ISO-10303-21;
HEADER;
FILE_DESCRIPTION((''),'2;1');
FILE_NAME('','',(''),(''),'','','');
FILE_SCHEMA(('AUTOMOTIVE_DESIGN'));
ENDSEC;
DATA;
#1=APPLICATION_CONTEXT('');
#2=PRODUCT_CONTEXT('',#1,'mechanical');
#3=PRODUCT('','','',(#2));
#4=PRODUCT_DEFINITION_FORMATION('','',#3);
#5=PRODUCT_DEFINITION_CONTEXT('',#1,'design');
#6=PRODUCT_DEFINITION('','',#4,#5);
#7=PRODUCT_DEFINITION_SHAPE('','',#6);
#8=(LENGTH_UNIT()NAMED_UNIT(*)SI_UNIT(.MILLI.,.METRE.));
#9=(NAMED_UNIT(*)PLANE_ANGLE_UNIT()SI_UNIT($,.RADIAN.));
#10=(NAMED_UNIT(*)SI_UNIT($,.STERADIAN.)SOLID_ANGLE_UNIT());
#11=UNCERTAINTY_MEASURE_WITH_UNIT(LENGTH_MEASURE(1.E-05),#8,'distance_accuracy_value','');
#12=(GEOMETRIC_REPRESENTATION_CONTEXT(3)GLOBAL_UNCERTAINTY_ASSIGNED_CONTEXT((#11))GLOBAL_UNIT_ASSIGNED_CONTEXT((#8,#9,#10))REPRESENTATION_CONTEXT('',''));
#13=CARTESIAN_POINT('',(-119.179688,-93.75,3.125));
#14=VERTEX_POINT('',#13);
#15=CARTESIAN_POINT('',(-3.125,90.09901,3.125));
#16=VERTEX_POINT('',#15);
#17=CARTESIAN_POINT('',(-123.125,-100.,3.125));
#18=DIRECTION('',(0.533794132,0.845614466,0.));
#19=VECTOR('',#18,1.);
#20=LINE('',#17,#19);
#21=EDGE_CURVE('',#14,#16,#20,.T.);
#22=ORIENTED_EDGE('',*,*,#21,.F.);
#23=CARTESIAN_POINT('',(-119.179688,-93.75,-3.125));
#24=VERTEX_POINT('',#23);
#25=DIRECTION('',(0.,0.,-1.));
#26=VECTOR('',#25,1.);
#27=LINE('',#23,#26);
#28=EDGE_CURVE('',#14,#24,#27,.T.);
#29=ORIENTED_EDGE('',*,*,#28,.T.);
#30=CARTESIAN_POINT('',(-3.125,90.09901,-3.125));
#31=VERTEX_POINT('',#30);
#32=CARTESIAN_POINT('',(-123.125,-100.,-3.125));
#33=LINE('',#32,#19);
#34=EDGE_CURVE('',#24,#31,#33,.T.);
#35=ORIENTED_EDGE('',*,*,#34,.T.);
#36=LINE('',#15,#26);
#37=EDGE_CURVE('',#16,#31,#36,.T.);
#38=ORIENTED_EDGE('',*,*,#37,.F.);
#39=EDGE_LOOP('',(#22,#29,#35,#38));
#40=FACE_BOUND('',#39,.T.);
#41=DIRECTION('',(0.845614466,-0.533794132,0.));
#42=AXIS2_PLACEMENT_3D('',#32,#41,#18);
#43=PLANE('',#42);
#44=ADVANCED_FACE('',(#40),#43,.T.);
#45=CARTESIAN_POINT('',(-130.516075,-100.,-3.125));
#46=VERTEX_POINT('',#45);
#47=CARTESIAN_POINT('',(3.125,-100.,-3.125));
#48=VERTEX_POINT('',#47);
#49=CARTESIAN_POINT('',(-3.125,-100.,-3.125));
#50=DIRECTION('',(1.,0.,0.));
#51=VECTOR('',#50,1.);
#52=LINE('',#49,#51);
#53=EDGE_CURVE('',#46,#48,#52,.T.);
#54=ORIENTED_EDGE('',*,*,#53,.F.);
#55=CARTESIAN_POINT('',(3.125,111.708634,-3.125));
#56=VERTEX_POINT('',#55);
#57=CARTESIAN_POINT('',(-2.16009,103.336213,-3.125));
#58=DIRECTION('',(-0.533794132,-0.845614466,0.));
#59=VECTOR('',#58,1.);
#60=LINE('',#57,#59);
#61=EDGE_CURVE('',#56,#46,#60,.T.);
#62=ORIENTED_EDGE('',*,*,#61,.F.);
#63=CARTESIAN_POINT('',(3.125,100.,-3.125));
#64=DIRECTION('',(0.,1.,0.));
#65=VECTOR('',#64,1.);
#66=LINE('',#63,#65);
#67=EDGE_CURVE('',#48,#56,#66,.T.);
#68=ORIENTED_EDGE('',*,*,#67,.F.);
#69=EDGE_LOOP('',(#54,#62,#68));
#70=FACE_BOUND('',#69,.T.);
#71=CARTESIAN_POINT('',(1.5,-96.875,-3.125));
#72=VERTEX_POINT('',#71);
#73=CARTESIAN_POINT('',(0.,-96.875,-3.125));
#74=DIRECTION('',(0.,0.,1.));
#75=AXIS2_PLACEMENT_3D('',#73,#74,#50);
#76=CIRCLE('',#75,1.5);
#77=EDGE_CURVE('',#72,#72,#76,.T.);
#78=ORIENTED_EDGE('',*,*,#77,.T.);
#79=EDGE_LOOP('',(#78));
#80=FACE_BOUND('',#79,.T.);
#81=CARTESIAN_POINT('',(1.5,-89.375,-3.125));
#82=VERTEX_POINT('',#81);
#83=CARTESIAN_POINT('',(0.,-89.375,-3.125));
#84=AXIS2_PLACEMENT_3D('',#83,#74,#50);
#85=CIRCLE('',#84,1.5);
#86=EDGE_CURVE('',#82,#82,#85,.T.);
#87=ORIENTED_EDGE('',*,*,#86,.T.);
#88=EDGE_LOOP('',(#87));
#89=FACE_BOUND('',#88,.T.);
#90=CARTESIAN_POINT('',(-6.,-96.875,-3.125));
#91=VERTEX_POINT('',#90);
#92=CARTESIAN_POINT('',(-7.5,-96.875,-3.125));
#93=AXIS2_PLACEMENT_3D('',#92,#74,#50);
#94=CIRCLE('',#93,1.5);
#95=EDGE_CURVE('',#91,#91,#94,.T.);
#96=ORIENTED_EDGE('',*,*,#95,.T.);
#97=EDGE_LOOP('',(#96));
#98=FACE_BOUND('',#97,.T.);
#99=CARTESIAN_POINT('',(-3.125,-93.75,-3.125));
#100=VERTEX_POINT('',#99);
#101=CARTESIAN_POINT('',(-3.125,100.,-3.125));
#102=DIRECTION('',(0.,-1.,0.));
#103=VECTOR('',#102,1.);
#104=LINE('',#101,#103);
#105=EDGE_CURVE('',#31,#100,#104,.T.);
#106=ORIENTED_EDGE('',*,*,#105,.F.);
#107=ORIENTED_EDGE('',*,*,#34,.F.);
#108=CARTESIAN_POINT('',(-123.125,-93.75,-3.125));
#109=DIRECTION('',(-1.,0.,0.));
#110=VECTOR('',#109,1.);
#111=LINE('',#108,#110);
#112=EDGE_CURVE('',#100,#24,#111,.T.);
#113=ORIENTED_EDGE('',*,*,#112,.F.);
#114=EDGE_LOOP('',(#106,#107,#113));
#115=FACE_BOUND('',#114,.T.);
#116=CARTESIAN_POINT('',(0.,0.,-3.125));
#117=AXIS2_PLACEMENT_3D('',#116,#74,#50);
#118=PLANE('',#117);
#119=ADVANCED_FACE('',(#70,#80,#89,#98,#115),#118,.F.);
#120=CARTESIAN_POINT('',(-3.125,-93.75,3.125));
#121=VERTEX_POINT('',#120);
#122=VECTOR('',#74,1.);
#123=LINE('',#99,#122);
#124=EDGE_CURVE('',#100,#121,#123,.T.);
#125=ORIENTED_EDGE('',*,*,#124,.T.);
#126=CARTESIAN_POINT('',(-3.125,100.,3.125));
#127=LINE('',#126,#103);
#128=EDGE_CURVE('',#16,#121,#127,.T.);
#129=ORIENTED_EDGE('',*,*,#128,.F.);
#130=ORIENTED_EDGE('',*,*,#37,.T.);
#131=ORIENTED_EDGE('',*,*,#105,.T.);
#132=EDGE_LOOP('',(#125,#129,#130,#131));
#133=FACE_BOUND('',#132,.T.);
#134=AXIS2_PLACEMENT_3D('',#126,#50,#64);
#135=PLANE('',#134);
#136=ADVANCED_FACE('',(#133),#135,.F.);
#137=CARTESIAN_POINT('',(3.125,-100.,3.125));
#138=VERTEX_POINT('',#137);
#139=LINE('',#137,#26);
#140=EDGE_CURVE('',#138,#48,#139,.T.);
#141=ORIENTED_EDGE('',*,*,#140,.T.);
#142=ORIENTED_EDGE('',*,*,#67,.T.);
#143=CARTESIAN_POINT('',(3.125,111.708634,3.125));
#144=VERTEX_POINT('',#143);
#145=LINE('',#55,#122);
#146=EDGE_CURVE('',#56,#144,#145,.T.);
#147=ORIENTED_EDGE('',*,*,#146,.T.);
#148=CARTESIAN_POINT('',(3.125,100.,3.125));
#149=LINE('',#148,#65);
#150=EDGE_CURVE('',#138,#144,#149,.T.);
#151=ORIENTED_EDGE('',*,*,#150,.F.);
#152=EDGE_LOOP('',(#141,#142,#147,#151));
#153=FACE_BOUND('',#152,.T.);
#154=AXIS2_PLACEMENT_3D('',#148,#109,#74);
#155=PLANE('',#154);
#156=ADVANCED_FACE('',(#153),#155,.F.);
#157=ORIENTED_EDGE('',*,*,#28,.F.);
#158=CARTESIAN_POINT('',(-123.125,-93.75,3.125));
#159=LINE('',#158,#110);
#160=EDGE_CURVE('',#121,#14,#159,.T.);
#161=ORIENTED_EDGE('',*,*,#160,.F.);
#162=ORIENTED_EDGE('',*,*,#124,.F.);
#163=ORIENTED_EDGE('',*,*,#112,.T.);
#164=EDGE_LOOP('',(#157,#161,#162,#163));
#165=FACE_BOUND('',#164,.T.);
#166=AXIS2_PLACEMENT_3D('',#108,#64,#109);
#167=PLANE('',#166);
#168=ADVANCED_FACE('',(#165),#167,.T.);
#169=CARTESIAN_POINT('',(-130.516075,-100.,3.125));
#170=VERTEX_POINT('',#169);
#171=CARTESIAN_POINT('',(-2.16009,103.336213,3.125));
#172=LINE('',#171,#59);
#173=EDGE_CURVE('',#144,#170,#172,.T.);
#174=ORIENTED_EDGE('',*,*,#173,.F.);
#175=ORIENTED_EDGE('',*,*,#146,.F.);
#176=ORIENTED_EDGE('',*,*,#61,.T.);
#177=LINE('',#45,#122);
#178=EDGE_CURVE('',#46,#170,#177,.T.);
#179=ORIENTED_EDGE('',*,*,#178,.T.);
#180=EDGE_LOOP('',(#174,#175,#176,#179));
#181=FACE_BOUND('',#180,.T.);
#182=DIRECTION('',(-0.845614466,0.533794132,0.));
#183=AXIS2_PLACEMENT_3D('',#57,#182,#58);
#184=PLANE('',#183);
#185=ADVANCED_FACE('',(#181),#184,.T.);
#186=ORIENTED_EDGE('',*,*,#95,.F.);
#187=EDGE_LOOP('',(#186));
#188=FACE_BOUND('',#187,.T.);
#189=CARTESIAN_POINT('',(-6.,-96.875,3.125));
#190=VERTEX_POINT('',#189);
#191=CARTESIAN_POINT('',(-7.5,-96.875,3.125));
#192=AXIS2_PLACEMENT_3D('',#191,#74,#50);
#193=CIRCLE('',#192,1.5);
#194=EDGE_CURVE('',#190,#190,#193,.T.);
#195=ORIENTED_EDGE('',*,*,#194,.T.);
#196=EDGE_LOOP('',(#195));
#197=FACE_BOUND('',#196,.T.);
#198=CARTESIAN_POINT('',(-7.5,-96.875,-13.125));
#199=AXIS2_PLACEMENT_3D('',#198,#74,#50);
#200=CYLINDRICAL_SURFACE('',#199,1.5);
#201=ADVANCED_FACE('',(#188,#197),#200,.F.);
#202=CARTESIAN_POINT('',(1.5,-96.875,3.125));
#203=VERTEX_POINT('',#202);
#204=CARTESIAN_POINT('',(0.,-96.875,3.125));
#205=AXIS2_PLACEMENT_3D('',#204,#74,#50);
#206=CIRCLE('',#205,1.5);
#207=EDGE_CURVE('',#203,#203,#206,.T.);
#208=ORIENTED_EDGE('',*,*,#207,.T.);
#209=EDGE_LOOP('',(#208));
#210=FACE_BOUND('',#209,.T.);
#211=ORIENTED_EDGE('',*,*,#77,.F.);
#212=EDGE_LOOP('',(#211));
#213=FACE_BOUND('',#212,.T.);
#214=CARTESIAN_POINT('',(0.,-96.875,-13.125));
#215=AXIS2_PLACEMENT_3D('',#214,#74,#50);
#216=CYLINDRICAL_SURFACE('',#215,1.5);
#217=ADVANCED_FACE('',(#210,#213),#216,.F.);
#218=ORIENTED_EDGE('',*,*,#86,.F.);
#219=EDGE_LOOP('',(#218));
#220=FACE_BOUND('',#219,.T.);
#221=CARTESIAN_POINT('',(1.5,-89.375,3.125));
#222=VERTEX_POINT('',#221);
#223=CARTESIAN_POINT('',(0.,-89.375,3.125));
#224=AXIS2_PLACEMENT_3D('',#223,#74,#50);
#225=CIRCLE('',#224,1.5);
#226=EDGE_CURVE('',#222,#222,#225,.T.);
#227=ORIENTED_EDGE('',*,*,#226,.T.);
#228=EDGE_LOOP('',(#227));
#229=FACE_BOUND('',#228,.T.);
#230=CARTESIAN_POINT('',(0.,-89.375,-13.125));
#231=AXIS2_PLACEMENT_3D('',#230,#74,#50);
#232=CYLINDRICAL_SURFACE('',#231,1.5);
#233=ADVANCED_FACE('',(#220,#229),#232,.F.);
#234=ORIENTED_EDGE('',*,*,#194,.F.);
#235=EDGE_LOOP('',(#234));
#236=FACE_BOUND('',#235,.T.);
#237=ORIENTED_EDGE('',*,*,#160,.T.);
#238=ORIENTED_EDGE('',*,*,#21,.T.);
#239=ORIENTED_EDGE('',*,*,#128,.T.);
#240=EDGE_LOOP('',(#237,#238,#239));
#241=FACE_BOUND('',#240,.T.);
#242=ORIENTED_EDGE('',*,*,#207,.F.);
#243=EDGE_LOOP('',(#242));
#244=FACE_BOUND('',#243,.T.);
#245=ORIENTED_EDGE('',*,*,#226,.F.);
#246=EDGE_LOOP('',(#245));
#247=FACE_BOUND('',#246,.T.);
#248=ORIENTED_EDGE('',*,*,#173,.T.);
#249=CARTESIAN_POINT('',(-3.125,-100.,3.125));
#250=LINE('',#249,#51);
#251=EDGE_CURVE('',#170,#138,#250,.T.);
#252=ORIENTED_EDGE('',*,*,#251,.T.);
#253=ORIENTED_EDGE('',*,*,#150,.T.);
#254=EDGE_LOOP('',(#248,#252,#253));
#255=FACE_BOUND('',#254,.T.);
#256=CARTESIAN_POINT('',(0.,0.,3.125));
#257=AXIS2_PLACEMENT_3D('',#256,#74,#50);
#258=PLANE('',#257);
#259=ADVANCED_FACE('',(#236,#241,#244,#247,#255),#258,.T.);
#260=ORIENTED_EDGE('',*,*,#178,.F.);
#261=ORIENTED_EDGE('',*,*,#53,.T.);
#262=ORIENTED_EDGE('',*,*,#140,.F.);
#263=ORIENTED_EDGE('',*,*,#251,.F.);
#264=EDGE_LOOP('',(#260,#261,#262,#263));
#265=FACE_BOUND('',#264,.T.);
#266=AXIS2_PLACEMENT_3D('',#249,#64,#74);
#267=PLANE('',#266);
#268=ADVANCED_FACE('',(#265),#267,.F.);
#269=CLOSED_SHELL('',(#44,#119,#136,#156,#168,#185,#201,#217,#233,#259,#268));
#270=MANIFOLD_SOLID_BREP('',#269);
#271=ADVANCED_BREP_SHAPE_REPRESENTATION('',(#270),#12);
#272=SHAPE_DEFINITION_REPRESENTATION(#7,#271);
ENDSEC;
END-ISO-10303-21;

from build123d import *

# Parameters (mm, degrees)
CROQUIS1_W              = 6.25
CROQUIS1_H              = 200
SALIENTE_EXTRUIR1_DEPTH = 3.125
CORTAR_EXTRUIR1_DEPTH   = 6.25
CROQUIS4_W              = 120
CROQUIS4_H              = 6.25
SALIENTE_EXTRUIR2_DEPTH = 6.25
SALIENTE_EXTRUIR3_DEPTH = 6.25
SALIENTE_EXTRUIR4_DEPTH = 6.25
CROQUIS10_R             = 1.5
CORTAR_EXTRUIR3_DEPTH   = 16.25


with BuildPart() as part:
    # Croquis1 → Saliente-Extruir1 (new, symmetric)
    with BuildSketch(Plane.XY):
        Rectangle(CROQUIS1_W, CROQUIS1_H)
    extrude(amount=SALIENTE_EXTRUIR1_DEPTH, both=True)

    # Croquis3 → Cortar-Extruir1 (cut)
    with BuildSketch(Plane.XY.offset(3.125)):
        Polygon((3.125, 100), (-3.125, 93.75), (-3.125, 100), align=None)
    extrude(amount=-CORTAR_EXTRUIR1_DEPTH, mode=Mode.SUBTRACT)

    # Croquis4 → Saliente-Extruir2 (add)
    with BuildSketch(Plane.XY.offset(3.125)):
        with Locations((-63.125, -96.875)):
            Rectangle(CROQUIS4_W, CROQUIS4_H)
    extrude(amount=-SALIENTE_EXTRUIR2_DEPTH)

    # Croquis7 → Saliente-Extruir3 (add)
    with BuildSketch(Plane.XY.offset(3.125)):
        Polygon((-123.125, -100), (3.125, 100), (-2.160090412, 103.336213323), (-130.516075072, -100), align=None)
    extrude(amount=-SALIENTE_EXTRUIR3_DEPTH)

    # Croquis9 → Saliente-Extruir4 (add)
    with BuildSketch(Plane.XY.offset(3.125)):
        Polygon((3.125, 100), (-2.160090412, 103.336213323), (3.125, 111.708633778), align=None)
    extrude(amount=-SALIENTE_EXTRUIR4_DEPTH)

    # Croquis10 → Cortar-Extruir3 (cut)
    with BuildSketch(Plane.XY.offset(3.125)):
        with Locations((0, -96.875)):
            Circle(CROQUIS10_R)
        with Locations((0, -89.375)):
            Circle(CROQUIS10_R)
        with Locations((-7.5, -96.875)):
            Circle(CROQUIS10_R)
    extrude(amount=-CORTAR_EXTRUIR3_DEPTH, mode=Mode.SUBTRACT)


solid = part.part
